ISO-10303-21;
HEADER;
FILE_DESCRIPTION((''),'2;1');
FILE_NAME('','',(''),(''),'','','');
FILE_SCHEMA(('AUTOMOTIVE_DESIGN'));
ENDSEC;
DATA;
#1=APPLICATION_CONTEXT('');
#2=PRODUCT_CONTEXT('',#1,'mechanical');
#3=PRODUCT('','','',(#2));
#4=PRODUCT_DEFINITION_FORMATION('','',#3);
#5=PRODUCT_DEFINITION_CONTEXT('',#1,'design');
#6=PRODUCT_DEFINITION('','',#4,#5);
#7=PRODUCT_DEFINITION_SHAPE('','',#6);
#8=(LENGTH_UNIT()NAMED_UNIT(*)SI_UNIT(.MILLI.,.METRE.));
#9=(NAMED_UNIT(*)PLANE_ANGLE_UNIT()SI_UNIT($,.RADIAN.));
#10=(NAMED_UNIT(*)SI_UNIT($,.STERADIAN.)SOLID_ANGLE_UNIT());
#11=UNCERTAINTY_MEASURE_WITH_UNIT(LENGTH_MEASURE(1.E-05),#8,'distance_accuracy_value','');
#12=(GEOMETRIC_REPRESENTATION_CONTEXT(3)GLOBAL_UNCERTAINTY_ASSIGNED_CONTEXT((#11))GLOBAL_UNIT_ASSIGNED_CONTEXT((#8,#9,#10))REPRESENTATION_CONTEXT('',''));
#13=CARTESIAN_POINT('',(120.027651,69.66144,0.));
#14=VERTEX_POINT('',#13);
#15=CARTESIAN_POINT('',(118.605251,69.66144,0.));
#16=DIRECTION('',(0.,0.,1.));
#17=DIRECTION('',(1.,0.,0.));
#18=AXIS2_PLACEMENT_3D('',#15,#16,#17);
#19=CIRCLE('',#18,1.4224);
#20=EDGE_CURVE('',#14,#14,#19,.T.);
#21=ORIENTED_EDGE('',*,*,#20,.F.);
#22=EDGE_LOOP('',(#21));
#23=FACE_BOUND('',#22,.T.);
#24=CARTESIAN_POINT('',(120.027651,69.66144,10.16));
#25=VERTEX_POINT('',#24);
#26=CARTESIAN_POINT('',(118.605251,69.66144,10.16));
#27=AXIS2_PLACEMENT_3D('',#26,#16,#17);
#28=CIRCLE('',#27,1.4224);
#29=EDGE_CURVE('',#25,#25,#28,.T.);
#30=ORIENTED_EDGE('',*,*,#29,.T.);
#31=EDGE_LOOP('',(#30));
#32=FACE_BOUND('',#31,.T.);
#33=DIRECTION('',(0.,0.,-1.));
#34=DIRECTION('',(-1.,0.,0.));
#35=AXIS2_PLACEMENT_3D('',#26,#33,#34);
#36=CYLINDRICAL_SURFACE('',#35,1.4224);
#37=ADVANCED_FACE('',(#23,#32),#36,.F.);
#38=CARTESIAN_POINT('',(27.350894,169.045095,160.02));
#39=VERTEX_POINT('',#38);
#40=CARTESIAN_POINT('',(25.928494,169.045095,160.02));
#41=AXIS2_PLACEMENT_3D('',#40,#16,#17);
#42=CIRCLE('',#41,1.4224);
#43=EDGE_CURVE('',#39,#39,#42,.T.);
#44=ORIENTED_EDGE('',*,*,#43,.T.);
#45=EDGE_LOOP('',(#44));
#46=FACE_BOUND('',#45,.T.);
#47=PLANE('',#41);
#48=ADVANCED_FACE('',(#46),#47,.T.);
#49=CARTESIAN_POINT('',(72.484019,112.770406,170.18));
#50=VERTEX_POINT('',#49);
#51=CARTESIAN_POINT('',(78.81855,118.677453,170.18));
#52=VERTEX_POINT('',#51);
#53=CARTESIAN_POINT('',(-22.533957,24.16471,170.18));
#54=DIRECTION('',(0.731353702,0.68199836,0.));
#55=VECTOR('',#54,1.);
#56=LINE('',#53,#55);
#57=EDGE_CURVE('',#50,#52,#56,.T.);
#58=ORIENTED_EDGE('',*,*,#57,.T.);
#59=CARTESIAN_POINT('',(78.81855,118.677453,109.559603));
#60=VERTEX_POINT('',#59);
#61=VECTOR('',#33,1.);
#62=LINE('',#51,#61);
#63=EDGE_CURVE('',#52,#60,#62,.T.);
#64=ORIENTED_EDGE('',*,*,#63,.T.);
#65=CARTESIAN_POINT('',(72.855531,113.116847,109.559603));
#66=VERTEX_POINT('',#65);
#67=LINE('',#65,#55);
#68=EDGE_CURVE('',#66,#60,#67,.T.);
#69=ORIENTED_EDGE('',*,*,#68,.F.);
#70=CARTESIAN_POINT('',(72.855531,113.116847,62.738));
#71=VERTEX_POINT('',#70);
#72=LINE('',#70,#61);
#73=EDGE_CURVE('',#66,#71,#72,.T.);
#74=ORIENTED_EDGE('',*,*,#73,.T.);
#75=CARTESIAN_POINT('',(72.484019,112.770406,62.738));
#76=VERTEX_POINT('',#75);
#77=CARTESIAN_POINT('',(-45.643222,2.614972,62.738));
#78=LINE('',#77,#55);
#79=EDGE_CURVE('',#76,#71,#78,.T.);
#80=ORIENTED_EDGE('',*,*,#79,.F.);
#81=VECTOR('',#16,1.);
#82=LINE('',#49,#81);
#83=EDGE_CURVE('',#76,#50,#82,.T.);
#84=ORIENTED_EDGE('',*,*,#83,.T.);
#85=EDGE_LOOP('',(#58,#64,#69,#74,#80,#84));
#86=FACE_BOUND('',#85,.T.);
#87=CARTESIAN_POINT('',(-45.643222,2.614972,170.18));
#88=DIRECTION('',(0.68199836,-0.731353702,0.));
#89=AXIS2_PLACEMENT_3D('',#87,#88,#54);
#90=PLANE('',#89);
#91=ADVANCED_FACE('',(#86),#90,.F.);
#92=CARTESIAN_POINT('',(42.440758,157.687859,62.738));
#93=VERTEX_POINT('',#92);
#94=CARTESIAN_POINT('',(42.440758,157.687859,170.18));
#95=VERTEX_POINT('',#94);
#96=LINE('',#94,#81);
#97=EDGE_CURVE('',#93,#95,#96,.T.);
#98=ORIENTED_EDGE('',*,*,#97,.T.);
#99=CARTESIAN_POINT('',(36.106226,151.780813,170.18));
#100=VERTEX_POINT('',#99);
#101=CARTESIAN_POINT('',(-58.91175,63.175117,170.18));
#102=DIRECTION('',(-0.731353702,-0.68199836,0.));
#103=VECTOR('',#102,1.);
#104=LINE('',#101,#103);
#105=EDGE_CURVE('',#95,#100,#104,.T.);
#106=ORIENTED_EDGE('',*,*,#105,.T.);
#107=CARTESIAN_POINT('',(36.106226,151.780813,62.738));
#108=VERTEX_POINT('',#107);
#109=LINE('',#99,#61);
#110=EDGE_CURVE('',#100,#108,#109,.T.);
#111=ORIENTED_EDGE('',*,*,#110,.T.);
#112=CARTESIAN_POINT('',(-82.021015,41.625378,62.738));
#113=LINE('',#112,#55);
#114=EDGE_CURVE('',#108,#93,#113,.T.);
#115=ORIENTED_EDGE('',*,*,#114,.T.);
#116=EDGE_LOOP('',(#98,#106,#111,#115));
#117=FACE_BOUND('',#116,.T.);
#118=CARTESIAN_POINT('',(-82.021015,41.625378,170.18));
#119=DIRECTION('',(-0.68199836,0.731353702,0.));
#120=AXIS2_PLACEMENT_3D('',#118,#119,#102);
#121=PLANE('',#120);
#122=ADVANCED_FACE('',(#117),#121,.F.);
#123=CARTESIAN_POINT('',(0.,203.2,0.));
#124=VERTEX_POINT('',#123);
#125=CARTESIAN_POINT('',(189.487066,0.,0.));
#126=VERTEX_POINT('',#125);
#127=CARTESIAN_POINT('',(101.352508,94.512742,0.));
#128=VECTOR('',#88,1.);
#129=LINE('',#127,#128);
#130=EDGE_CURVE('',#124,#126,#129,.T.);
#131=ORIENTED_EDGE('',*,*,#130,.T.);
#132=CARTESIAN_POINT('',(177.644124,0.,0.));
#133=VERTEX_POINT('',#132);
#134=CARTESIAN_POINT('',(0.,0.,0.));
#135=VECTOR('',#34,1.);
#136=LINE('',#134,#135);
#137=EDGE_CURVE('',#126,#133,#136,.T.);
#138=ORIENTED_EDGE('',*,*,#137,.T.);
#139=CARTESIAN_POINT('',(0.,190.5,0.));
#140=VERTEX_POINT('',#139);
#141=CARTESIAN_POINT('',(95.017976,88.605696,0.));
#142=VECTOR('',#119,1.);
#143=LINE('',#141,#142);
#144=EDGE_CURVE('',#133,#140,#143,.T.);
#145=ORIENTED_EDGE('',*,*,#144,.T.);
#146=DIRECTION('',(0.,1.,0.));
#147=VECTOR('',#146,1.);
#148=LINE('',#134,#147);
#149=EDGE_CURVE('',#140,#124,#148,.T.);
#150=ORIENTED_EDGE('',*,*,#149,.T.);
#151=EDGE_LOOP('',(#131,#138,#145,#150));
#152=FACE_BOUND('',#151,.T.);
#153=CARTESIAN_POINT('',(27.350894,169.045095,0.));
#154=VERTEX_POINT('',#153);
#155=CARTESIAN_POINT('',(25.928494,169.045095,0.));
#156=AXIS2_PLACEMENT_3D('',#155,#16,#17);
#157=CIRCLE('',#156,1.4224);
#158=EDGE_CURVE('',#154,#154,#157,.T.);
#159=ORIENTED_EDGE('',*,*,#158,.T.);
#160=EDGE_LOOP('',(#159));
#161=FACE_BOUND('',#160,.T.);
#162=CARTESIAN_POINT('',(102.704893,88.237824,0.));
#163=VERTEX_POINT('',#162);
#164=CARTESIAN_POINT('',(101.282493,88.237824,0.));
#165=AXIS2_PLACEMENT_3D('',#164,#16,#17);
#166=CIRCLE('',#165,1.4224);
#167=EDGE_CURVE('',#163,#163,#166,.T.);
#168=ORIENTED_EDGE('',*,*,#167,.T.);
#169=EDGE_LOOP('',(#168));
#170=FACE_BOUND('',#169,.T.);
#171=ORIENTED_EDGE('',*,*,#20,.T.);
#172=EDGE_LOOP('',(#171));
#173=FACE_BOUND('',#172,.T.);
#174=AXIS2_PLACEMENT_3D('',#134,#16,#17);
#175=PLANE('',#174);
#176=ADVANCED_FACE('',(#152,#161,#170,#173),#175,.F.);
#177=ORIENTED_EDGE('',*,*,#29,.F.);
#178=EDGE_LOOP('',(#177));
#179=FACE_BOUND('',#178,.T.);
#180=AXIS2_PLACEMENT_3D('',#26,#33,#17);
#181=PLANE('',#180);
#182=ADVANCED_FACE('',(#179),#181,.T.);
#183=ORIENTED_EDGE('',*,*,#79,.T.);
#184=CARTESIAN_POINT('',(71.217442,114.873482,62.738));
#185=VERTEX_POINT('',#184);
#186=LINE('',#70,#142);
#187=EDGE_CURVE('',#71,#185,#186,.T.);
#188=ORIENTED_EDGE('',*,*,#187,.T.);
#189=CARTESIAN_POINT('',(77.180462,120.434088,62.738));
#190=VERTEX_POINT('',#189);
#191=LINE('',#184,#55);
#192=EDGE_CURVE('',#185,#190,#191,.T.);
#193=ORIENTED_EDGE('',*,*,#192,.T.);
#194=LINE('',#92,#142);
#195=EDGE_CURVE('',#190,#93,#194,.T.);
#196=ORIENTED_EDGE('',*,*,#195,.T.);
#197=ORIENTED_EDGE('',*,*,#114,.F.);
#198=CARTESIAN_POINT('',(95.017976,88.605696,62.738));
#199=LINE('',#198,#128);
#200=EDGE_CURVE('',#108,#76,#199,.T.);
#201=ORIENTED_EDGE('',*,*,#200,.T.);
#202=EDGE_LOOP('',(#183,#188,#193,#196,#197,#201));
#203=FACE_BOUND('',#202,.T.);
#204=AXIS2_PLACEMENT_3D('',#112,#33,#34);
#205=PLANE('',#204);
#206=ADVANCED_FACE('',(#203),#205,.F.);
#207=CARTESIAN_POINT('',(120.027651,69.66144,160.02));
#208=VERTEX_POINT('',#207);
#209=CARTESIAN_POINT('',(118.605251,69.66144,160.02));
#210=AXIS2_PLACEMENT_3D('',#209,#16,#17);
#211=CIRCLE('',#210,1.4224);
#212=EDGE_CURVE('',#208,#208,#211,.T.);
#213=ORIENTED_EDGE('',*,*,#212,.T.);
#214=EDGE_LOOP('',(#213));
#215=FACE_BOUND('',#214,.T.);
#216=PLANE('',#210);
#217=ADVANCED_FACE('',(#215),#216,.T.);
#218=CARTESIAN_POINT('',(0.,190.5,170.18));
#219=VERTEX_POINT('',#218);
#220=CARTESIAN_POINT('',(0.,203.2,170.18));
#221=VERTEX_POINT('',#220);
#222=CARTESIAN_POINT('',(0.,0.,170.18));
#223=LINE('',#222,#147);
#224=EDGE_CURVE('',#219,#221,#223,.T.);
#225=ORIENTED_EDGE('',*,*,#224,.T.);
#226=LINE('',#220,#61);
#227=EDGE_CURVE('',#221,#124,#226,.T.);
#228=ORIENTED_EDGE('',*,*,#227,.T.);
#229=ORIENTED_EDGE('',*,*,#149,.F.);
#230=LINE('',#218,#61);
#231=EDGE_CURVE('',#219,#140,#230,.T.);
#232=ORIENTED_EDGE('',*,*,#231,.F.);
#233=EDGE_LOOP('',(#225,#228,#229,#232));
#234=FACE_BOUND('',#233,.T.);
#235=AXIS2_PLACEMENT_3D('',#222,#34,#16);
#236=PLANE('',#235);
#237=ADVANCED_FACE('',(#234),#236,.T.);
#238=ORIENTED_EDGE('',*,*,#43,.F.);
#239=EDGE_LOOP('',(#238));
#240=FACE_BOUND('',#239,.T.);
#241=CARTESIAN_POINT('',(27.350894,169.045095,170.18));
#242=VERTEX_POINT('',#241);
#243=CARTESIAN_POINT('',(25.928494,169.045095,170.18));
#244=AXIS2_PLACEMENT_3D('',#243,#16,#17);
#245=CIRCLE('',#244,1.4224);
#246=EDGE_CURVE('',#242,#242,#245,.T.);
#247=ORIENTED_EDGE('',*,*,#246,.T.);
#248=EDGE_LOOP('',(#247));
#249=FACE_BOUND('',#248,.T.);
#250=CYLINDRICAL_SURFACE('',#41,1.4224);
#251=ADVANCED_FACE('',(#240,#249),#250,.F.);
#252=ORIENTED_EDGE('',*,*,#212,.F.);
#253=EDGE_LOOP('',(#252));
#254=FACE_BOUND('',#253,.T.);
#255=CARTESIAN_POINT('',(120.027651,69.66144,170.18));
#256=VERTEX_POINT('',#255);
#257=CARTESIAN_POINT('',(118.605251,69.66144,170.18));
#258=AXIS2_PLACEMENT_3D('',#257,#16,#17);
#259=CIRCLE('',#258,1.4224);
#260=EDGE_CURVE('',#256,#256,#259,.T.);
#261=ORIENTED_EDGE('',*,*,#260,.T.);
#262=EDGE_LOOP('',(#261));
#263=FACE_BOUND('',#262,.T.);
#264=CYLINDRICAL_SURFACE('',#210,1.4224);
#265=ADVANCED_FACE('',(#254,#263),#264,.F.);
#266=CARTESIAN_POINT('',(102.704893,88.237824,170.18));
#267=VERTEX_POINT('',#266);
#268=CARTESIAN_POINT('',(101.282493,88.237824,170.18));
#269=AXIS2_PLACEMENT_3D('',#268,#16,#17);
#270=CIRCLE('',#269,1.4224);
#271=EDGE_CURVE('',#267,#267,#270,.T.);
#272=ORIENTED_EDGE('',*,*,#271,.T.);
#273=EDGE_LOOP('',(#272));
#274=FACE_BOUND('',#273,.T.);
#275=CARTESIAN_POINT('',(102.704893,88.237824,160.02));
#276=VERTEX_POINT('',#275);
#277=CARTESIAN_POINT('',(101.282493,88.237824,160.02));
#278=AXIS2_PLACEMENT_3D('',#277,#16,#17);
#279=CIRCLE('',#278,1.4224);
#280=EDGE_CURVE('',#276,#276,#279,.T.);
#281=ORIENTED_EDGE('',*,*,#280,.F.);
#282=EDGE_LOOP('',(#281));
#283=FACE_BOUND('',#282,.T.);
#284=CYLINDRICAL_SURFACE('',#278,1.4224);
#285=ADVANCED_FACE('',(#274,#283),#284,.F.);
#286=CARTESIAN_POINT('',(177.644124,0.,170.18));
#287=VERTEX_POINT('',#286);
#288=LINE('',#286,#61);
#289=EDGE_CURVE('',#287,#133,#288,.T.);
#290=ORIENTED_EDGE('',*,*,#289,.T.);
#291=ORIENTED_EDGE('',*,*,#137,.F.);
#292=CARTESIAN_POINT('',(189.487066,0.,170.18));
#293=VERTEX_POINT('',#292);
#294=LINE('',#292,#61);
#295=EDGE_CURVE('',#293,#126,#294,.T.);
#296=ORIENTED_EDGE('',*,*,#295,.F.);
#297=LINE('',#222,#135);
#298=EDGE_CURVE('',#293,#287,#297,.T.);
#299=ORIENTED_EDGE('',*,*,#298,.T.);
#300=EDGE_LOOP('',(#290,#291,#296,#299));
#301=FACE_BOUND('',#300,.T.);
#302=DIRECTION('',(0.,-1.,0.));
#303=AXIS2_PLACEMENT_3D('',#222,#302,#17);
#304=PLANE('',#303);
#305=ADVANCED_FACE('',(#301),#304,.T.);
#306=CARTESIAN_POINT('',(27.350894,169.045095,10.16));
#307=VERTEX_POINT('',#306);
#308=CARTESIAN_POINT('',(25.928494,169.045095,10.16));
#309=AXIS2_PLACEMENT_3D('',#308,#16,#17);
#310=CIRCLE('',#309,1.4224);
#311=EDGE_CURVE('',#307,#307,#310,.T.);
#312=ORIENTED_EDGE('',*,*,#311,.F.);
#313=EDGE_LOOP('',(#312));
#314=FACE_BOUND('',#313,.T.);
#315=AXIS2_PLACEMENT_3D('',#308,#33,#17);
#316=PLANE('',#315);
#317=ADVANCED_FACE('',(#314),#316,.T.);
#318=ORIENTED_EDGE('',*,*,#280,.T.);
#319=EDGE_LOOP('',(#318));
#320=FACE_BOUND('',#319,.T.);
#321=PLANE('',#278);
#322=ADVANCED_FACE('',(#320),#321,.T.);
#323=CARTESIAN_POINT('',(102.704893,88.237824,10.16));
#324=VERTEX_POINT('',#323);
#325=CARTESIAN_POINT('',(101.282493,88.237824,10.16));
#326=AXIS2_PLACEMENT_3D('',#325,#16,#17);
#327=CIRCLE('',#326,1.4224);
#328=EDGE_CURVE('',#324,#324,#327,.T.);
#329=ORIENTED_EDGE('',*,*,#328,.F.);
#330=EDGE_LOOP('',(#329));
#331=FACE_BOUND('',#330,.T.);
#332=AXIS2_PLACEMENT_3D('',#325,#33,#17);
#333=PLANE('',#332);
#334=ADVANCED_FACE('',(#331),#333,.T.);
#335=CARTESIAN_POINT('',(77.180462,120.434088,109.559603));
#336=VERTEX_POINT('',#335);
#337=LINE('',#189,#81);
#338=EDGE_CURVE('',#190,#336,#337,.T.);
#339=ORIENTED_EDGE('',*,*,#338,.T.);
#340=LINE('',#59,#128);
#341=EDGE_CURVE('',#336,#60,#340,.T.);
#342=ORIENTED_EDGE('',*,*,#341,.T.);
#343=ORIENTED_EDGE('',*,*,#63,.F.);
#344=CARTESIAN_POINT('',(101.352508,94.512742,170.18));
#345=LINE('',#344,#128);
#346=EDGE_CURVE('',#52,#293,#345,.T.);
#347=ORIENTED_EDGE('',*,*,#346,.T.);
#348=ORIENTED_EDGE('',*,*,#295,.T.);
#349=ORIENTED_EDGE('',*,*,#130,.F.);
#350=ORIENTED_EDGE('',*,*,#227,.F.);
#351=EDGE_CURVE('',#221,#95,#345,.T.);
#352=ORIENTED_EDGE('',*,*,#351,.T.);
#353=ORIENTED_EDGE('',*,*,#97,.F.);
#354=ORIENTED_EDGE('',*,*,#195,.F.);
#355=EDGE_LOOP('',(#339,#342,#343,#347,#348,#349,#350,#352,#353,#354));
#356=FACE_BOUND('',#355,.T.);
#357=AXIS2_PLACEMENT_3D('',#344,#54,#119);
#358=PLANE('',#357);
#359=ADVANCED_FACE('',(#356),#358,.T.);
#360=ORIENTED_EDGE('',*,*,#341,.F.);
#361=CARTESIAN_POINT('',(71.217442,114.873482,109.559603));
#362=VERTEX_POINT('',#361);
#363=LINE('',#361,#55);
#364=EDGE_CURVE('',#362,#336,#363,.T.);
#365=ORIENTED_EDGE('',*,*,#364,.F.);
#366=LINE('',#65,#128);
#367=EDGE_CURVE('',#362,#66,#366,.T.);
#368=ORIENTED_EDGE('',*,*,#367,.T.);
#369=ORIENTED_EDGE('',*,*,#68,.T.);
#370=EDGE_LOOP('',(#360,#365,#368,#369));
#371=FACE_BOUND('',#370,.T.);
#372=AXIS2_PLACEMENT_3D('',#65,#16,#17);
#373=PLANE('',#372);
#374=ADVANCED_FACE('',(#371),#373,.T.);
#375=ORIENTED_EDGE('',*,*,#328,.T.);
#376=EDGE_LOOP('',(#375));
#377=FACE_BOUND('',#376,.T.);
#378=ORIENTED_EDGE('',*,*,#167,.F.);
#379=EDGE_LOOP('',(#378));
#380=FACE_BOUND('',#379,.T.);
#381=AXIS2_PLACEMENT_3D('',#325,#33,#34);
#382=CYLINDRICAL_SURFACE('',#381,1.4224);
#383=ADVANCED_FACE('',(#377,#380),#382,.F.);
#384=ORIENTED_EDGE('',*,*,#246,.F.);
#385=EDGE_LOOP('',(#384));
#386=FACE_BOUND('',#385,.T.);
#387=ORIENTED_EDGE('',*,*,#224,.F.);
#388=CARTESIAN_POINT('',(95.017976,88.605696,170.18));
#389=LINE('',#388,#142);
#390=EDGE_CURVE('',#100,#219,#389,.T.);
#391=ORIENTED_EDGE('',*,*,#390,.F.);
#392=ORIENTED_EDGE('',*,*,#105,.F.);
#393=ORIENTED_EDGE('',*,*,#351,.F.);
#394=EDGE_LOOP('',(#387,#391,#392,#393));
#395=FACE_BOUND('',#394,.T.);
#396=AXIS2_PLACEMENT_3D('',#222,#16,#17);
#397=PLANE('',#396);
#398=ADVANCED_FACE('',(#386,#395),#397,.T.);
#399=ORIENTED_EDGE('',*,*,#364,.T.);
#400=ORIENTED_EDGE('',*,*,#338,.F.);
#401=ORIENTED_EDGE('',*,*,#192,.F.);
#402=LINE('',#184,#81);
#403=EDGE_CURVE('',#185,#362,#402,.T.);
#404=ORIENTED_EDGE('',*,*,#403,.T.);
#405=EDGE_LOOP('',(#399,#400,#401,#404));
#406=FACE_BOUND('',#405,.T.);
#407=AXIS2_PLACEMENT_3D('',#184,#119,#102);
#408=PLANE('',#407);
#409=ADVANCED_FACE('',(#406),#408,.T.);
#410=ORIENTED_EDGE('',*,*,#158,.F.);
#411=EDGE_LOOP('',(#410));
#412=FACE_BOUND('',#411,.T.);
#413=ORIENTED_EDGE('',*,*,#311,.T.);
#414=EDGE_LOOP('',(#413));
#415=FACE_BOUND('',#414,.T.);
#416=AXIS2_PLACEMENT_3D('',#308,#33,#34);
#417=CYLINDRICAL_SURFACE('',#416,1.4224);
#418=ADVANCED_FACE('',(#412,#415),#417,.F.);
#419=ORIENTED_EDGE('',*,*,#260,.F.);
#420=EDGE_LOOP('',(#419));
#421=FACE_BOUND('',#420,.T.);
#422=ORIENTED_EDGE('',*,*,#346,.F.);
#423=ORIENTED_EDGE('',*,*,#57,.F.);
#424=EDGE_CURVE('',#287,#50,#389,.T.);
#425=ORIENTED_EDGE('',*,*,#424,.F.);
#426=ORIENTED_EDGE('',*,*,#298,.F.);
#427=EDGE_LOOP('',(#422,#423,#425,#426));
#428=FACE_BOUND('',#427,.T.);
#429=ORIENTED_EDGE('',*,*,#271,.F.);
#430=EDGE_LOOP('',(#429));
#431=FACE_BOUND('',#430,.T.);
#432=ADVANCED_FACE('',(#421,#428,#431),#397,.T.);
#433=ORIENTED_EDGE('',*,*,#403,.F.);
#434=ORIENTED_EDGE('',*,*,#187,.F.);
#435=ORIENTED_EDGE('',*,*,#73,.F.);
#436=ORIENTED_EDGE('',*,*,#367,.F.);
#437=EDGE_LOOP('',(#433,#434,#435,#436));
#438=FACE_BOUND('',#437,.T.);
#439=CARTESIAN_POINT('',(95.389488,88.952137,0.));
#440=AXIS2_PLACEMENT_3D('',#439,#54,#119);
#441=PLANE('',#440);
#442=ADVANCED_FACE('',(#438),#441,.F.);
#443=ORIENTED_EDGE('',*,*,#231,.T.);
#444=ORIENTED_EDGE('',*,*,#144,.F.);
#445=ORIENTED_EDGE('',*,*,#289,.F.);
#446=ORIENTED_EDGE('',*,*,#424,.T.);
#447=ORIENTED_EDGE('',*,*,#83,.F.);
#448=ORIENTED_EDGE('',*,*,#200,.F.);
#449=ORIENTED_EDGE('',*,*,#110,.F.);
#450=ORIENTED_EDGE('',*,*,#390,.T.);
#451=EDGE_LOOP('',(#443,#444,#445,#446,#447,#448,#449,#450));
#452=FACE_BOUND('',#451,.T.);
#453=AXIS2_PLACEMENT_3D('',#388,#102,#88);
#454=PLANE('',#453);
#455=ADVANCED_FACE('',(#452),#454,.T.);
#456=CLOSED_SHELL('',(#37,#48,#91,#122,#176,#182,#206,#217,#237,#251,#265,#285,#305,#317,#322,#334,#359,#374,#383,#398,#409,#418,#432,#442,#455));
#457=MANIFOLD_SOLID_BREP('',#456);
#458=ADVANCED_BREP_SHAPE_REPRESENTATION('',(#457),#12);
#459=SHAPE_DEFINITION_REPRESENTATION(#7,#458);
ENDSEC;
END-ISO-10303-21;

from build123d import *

# Parameters (mm, degrees)
BOSS_EXTRUDE1_DEPTH = 170.18
SKETCH2_W           = 107.442
SKETCH2_H           = 53.34
CUT_EXTRUDE1_DEPTH  = 170.18
SKETCH3_W           = 46.821602836
SKETCH3_H           = 2.401895457
BOSS_EXTRUDE2_DEPTH = 8.1534
SKETCH4_R           = 1.4224
CUT_EXTRUDE2_DEPTH  = 10.16


with BuildPart() as part:
    # Sketch1 → Boss-Extrude1 (new body)
    with BuildSketch(Plane.XY):
        Polygon((189.487065503, 0), (177.644123909, 0), (0, 190.5), (0, 203.2), align=None)
    extrude(amount=BOSS_EXTRUDE1_DEPTH)

    # Sketch2 → Cut-Extrude1 (cut)
    with BuildSketch(Plane(origin=(101.352507506, 94.512742268, 0), x_dir=(0, 0, -1), z_dir=(0.7313537016191667, 0.6819983600625027, 0))):
        with Locations((-116.459, 59.711072169)):
            Rectangle(SKETCH2_W, SKETCH2_H)
    extrude(amount=-CUT_EXTRUDE1_DEPTH, mode=Mode.SUBTRACT)

    # Sketch3 → Boss-Extrude2 (add)
    with BuildSketch(Plane(origin=(101.352507506, 94.512742268, 0), x_dir=(0, 0, -1), z_dir=(0.7313537016191667, 0.6819983600625027, 0))):
        with Locations((-86.148801418, 34.242019898)):
            Rectangle(SKETCH3_W, SKETCH3_H)
    extrude(amount=-BOSS_EXTRUDE2_DEPTH)

    # Sketch4 → Cut-Extrude2 (cut)
    with BuildSketch(Plane.XY.offset(170.18)):
        with Locations((25.928493761, 169.045094592)):
            Circle(SKETCH4_R)
        with Locations((101.282492565, 88.2378241)):
            Circle(SKETCH4_R)
        with Locations((118.60525091, 69.661440079)):
            Circle(SKETCH4_R)
    cut_extrude2 = extrude(amount=-CUT_EXTRUDE2_DEPTH, mode=Mode.SUBTRACT)

    # Mirror1: Cut-Extrude2 across plane
    add(cut_extrude2.mirror(Plane.XY.offset(85.09)), mode=Mode.SUBTRACT)


solid = part.part
